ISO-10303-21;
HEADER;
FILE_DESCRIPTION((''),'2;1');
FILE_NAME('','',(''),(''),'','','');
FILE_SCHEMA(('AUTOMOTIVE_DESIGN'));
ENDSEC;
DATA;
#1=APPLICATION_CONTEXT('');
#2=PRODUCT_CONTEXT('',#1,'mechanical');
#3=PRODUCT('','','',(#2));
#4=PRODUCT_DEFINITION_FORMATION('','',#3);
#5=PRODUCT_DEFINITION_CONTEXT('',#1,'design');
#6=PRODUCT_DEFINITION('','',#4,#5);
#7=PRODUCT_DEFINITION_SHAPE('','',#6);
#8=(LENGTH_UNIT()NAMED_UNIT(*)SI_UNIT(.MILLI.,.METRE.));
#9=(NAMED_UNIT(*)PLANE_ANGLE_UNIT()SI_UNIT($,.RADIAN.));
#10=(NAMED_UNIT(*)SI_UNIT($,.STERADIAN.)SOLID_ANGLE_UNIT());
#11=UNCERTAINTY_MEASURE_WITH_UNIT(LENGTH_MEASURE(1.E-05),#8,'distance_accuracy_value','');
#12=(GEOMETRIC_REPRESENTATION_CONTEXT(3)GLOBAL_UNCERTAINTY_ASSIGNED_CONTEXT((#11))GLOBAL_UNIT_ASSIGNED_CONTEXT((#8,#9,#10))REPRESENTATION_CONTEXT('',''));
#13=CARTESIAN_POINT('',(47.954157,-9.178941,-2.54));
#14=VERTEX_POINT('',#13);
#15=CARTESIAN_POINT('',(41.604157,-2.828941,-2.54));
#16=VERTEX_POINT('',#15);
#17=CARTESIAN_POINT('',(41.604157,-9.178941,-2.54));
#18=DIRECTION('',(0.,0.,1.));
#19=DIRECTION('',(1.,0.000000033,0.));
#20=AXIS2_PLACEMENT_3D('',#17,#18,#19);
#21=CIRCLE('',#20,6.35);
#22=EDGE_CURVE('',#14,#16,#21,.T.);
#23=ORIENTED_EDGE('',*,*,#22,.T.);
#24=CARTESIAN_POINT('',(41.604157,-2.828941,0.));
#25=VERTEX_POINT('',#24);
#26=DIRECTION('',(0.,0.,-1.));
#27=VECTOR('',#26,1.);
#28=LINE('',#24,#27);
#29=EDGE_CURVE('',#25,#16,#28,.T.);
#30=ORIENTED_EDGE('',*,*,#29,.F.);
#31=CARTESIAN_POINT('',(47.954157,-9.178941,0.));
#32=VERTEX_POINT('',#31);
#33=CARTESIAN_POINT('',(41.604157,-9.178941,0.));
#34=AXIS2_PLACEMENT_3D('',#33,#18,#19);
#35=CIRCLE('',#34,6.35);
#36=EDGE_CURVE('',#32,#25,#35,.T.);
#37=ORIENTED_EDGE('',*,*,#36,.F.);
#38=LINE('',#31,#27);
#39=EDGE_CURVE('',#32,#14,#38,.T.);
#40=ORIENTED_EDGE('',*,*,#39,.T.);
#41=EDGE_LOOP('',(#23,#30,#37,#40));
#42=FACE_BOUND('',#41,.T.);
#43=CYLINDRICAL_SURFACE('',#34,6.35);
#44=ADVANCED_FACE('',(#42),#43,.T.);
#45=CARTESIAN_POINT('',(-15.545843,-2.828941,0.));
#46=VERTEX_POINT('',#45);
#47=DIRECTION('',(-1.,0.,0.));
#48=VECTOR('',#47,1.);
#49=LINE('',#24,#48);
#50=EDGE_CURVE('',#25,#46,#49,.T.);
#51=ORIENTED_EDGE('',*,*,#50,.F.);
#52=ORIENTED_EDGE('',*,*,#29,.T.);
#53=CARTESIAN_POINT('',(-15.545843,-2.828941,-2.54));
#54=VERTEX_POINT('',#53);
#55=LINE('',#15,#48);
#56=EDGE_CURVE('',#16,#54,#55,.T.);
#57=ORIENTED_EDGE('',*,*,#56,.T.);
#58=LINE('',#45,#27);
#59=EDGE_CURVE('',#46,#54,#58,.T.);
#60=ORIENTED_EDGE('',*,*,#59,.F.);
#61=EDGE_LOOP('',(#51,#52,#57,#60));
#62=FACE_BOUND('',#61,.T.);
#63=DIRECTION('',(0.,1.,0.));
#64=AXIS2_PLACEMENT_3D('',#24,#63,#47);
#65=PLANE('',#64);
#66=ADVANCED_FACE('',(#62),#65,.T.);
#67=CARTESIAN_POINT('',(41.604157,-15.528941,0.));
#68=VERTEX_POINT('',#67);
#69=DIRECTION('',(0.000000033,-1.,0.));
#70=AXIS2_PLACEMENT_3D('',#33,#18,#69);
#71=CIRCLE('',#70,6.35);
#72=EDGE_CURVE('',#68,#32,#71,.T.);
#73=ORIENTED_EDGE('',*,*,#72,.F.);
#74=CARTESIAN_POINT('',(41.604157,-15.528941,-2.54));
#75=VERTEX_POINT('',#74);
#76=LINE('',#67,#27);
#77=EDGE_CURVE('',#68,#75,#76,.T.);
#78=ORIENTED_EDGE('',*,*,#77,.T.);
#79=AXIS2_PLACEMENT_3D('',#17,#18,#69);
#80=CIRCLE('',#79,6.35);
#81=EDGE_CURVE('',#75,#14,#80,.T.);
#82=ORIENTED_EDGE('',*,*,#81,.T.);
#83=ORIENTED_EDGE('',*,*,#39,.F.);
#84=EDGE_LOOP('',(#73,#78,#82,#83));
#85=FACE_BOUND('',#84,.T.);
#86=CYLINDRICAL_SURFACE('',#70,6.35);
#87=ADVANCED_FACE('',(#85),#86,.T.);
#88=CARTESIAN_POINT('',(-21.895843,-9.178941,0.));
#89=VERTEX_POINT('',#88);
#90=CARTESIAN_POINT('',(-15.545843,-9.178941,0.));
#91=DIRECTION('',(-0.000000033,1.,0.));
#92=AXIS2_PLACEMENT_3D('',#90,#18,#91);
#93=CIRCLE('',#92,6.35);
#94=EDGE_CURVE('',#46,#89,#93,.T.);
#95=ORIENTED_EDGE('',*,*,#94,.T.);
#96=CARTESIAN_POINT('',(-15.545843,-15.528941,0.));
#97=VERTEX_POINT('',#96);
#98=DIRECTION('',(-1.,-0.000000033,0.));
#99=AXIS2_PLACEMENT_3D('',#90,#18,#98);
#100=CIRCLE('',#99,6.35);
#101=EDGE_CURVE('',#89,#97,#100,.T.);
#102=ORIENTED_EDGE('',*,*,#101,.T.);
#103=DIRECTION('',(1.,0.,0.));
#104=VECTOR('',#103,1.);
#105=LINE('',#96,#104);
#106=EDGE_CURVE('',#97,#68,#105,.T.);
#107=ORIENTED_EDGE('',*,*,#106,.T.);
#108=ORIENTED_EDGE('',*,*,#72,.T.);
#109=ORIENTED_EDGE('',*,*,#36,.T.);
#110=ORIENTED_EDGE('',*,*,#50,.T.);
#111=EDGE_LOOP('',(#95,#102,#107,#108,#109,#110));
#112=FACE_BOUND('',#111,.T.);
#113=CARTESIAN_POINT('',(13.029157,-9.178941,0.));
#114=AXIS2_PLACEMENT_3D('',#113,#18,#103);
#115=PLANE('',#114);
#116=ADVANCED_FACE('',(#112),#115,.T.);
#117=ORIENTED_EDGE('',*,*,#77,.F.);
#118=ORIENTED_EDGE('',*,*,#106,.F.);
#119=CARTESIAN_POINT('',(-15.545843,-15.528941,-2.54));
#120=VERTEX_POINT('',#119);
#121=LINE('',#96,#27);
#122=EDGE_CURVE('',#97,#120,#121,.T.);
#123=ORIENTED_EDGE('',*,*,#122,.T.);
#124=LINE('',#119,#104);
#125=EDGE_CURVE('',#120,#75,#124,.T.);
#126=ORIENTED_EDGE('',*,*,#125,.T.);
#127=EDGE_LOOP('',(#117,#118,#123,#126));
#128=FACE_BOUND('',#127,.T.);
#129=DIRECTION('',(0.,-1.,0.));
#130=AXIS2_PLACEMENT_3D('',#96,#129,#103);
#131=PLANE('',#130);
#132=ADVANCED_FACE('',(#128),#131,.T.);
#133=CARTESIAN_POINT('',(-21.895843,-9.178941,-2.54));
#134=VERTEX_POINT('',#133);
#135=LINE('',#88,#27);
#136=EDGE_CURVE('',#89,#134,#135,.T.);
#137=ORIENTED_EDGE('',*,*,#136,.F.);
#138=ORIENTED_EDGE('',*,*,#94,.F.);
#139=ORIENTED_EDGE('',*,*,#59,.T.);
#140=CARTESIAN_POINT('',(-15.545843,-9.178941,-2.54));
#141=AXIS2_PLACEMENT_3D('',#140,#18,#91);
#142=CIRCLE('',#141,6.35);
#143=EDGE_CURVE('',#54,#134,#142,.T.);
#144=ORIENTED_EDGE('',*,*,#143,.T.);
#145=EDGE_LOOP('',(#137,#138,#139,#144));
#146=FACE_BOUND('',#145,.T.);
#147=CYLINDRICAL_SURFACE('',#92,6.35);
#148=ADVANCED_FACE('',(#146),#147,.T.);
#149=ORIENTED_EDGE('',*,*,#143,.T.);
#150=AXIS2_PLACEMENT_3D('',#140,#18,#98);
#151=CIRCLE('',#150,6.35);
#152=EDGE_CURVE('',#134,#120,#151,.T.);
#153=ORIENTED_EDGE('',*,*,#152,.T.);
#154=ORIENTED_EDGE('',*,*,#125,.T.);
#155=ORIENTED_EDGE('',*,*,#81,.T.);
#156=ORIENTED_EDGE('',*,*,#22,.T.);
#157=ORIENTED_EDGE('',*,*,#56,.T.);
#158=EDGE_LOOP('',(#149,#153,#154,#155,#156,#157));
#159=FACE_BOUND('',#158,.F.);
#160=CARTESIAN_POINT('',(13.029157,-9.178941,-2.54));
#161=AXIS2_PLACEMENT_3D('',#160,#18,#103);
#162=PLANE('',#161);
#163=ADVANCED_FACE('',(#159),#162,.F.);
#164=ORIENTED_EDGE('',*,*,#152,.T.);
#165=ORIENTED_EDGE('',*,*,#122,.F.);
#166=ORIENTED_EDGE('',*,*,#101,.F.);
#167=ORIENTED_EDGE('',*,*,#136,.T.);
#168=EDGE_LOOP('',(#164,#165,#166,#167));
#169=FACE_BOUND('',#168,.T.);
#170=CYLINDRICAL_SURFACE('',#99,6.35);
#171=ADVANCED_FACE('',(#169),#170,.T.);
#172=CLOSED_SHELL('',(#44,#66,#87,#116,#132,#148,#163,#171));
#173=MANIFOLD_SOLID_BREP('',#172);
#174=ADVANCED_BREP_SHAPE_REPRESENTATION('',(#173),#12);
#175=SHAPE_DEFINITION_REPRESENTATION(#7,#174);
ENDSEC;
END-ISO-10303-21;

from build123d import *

# Parameters (mm, degrees)
F1_DEPTH = 2.54


with BuildPart() as f1:
    # F0 (on Top) → F1 (new body)
    with BuildSketch(Plane.XY):
        with BuildLine():
            Line((41.604157, -2.828941), (-15.545843, -2.828941))
            ThreePointArc((-15.545843, -2.828941), (-20.035971, -4.688813), (-21.895843, -9.178941))
            ThreePointArc((-21.895843, -9.178941), (-20.035971, -13.669069), (-15.545843, -15.528941))
            Line((-15.545843, -15.528941), (41.604157, -15.528941))
            ThreePointArc((41.604157, -15.528941), (46.094285, -13.669069), (47.954157, -9.178941))
            ThreePointArc((47.954157, -9.178941), (46.094285, -4.688813), (41.604157, -2.828941))
        make_face()
    extrude(amount=-F1_DEPTH)


solid = f1.part
